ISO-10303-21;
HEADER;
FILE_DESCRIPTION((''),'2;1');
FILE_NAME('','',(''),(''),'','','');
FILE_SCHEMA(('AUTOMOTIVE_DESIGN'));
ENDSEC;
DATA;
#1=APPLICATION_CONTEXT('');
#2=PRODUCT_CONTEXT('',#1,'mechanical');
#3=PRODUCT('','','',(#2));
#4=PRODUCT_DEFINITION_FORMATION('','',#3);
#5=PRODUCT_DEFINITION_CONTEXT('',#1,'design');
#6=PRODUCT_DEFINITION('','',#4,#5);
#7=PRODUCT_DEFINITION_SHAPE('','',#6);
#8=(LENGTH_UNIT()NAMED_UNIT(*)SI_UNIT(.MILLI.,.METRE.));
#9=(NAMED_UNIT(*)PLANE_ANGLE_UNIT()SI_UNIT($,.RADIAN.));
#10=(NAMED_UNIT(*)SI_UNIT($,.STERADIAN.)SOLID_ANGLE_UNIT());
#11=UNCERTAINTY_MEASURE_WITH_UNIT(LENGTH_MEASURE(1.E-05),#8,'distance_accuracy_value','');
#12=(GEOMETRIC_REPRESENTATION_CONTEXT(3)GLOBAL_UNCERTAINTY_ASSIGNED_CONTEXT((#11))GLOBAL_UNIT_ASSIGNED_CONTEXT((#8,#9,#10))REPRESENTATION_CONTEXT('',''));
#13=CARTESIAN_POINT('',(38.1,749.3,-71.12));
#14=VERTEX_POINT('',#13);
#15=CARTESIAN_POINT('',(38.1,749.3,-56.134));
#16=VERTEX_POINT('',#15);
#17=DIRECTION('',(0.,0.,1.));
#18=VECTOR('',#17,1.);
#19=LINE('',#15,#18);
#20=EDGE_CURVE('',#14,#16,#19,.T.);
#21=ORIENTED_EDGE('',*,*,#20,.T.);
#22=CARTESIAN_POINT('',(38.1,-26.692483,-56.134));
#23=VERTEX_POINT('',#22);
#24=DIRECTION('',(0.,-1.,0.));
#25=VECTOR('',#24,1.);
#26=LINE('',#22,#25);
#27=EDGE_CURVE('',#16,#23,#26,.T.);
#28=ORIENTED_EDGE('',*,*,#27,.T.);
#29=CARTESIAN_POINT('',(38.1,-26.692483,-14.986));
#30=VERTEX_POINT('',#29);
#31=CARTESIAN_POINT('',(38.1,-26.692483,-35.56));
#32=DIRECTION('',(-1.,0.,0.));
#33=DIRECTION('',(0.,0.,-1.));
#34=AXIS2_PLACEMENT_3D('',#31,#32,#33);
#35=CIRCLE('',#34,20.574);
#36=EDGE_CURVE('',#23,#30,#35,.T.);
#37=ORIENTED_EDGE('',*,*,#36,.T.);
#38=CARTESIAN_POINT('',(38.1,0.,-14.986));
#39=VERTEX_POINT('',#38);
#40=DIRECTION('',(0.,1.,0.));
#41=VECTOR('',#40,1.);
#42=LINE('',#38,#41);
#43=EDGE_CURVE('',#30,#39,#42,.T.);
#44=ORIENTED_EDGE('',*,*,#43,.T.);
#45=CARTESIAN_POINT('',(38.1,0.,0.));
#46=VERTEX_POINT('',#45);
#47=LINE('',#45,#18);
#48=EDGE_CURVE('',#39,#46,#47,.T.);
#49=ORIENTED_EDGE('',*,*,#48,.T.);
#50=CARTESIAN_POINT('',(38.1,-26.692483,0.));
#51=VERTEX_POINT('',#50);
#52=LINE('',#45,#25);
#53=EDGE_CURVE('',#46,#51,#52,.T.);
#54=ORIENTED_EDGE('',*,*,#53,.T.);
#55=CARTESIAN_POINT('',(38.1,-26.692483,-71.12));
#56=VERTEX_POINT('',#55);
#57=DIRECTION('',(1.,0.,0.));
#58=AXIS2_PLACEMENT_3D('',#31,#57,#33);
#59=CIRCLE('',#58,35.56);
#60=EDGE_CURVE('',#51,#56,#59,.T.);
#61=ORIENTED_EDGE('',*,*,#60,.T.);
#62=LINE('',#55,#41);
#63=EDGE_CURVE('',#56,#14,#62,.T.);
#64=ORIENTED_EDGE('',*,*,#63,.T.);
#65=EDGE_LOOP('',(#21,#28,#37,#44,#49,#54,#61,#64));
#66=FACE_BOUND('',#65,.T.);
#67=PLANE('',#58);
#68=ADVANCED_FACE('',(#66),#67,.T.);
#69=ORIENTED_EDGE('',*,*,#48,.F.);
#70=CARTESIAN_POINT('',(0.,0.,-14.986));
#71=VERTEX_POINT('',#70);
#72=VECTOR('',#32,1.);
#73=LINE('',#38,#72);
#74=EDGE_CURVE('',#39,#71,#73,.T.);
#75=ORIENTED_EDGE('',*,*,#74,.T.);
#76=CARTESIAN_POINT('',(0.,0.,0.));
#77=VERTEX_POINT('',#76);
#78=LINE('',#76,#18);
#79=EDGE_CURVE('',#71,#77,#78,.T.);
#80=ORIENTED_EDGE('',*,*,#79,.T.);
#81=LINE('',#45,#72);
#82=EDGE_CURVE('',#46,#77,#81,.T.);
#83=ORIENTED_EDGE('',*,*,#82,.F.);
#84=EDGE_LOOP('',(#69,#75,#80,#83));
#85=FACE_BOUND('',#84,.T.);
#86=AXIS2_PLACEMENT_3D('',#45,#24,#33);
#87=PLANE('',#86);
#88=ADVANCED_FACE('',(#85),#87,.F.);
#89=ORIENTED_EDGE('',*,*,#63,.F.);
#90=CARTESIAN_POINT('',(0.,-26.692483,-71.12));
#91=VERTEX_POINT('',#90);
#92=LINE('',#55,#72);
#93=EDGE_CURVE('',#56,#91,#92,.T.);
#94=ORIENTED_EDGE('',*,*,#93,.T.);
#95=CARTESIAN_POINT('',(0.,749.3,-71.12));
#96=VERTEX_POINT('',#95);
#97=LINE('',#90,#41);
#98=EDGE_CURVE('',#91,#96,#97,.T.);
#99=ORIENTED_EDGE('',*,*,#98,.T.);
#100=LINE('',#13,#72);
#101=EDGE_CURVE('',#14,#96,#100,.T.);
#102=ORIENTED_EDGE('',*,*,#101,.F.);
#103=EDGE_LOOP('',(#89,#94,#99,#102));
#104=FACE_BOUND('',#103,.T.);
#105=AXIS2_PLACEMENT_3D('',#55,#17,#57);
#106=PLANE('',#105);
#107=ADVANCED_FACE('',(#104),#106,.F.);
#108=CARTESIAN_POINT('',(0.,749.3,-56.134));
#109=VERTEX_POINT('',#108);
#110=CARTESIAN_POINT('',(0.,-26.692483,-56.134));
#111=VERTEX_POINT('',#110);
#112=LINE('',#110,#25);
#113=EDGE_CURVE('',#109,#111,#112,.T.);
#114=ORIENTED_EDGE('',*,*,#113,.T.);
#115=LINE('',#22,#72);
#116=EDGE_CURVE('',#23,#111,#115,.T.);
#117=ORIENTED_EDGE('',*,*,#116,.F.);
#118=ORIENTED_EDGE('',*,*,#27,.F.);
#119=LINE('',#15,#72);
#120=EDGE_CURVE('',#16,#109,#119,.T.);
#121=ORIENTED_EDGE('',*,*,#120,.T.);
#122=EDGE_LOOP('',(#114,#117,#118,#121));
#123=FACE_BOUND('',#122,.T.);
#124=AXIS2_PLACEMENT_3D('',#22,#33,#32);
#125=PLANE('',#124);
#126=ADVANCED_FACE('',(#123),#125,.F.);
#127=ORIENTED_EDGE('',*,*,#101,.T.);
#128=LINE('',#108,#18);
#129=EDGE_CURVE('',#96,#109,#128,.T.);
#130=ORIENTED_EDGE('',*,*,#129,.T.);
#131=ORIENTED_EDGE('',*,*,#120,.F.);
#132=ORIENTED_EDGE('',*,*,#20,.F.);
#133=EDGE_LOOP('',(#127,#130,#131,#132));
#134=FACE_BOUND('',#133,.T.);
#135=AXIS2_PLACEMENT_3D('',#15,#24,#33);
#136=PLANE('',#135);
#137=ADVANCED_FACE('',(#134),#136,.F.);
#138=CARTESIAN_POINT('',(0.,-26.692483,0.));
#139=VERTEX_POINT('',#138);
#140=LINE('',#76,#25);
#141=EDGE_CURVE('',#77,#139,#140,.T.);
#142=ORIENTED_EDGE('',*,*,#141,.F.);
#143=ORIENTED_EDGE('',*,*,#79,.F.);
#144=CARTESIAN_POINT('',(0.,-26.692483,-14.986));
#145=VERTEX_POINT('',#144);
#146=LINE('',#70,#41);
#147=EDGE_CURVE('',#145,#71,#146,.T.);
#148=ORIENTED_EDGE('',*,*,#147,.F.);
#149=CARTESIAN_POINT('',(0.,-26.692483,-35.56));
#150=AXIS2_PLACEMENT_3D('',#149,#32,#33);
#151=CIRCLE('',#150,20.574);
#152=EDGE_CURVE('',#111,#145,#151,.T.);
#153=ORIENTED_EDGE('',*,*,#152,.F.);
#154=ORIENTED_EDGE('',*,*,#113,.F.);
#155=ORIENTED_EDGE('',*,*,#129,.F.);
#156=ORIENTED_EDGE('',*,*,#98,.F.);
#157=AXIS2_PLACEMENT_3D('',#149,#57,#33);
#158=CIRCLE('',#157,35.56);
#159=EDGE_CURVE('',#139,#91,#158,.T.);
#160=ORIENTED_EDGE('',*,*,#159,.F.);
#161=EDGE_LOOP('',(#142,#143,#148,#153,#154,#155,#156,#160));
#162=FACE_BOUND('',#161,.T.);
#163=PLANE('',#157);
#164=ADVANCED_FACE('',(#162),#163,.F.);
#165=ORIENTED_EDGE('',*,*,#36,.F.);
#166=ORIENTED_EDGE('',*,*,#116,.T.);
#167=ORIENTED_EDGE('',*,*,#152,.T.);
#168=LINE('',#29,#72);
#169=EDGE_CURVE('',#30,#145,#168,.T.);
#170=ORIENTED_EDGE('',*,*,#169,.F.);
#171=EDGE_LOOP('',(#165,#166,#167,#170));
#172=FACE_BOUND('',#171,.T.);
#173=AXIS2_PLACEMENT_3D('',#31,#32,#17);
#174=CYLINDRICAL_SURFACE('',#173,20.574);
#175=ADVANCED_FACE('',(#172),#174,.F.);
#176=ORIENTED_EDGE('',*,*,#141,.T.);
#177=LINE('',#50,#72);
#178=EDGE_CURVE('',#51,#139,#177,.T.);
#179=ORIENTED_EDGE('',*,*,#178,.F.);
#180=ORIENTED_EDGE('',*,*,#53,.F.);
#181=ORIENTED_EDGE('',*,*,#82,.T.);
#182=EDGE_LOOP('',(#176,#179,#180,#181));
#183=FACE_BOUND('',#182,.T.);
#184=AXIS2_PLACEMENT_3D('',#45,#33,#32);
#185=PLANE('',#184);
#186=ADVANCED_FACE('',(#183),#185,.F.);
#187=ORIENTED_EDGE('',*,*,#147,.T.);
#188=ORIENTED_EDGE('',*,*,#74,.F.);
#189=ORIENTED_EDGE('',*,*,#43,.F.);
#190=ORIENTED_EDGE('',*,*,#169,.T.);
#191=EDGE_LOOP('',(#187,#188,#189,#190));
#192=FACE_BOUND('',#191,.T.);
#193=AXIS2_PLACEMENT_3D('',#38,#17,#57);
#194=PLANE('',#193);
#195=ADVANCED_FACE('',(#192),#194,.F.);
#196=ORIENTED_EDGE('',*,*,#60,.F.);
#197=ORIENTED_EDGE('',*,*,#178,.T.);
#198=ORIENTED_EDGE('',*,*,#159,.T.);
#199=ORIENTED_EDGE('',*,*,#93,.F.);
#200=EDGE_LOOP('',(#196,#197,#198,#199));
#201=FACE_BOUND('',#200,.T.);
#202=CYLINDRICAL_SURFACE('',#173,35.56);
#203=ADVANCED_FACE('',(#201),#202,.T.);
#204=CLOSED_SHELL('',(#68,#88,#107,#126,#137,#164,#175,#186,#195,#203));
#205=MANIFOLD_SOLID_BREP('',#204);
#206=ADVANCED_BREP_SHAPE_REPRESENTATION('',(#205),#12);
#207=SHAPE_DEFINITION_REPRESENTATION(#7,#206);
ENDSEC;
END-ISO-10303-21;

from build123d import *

# Parameters (mm, degrees)
BOSS_EXTRUDE1_DEPTH = 38.1


with BuildPart() as part:
    # Sketch1 → Boss-Extrude1 (new body)
    with BuildSketch(Plane(origin=(0, 0, 0), x_dir=(0, 0, -1), z_dir=(1, 0, 0))):
        with BuildLine():
            Line((0, 0), (0, -26.692482619))
            ThreePointArc((0, -26.692482619), (35.56, -62.252482619), (71.12, -26.692482619))
            Line((71.12, -26.692482619), (71.12, 749.3))
            Line((71.12, 749.3), (56.134, 749.3))
            Line((56.134, 749.3), (56.134, -26.692482619))
            ThreePointArc((56.134, -26.692482619), (35.56, -47.266482619), (14.986, -26.692482619))
            Line((14.986, -26.692482619), (14.986, 0))
            Line((14.986, 0), (0, 0))
        make_face()
    extrude(amount=BOSS_EXTRUDE1_DEPTH)


solid = part.part
